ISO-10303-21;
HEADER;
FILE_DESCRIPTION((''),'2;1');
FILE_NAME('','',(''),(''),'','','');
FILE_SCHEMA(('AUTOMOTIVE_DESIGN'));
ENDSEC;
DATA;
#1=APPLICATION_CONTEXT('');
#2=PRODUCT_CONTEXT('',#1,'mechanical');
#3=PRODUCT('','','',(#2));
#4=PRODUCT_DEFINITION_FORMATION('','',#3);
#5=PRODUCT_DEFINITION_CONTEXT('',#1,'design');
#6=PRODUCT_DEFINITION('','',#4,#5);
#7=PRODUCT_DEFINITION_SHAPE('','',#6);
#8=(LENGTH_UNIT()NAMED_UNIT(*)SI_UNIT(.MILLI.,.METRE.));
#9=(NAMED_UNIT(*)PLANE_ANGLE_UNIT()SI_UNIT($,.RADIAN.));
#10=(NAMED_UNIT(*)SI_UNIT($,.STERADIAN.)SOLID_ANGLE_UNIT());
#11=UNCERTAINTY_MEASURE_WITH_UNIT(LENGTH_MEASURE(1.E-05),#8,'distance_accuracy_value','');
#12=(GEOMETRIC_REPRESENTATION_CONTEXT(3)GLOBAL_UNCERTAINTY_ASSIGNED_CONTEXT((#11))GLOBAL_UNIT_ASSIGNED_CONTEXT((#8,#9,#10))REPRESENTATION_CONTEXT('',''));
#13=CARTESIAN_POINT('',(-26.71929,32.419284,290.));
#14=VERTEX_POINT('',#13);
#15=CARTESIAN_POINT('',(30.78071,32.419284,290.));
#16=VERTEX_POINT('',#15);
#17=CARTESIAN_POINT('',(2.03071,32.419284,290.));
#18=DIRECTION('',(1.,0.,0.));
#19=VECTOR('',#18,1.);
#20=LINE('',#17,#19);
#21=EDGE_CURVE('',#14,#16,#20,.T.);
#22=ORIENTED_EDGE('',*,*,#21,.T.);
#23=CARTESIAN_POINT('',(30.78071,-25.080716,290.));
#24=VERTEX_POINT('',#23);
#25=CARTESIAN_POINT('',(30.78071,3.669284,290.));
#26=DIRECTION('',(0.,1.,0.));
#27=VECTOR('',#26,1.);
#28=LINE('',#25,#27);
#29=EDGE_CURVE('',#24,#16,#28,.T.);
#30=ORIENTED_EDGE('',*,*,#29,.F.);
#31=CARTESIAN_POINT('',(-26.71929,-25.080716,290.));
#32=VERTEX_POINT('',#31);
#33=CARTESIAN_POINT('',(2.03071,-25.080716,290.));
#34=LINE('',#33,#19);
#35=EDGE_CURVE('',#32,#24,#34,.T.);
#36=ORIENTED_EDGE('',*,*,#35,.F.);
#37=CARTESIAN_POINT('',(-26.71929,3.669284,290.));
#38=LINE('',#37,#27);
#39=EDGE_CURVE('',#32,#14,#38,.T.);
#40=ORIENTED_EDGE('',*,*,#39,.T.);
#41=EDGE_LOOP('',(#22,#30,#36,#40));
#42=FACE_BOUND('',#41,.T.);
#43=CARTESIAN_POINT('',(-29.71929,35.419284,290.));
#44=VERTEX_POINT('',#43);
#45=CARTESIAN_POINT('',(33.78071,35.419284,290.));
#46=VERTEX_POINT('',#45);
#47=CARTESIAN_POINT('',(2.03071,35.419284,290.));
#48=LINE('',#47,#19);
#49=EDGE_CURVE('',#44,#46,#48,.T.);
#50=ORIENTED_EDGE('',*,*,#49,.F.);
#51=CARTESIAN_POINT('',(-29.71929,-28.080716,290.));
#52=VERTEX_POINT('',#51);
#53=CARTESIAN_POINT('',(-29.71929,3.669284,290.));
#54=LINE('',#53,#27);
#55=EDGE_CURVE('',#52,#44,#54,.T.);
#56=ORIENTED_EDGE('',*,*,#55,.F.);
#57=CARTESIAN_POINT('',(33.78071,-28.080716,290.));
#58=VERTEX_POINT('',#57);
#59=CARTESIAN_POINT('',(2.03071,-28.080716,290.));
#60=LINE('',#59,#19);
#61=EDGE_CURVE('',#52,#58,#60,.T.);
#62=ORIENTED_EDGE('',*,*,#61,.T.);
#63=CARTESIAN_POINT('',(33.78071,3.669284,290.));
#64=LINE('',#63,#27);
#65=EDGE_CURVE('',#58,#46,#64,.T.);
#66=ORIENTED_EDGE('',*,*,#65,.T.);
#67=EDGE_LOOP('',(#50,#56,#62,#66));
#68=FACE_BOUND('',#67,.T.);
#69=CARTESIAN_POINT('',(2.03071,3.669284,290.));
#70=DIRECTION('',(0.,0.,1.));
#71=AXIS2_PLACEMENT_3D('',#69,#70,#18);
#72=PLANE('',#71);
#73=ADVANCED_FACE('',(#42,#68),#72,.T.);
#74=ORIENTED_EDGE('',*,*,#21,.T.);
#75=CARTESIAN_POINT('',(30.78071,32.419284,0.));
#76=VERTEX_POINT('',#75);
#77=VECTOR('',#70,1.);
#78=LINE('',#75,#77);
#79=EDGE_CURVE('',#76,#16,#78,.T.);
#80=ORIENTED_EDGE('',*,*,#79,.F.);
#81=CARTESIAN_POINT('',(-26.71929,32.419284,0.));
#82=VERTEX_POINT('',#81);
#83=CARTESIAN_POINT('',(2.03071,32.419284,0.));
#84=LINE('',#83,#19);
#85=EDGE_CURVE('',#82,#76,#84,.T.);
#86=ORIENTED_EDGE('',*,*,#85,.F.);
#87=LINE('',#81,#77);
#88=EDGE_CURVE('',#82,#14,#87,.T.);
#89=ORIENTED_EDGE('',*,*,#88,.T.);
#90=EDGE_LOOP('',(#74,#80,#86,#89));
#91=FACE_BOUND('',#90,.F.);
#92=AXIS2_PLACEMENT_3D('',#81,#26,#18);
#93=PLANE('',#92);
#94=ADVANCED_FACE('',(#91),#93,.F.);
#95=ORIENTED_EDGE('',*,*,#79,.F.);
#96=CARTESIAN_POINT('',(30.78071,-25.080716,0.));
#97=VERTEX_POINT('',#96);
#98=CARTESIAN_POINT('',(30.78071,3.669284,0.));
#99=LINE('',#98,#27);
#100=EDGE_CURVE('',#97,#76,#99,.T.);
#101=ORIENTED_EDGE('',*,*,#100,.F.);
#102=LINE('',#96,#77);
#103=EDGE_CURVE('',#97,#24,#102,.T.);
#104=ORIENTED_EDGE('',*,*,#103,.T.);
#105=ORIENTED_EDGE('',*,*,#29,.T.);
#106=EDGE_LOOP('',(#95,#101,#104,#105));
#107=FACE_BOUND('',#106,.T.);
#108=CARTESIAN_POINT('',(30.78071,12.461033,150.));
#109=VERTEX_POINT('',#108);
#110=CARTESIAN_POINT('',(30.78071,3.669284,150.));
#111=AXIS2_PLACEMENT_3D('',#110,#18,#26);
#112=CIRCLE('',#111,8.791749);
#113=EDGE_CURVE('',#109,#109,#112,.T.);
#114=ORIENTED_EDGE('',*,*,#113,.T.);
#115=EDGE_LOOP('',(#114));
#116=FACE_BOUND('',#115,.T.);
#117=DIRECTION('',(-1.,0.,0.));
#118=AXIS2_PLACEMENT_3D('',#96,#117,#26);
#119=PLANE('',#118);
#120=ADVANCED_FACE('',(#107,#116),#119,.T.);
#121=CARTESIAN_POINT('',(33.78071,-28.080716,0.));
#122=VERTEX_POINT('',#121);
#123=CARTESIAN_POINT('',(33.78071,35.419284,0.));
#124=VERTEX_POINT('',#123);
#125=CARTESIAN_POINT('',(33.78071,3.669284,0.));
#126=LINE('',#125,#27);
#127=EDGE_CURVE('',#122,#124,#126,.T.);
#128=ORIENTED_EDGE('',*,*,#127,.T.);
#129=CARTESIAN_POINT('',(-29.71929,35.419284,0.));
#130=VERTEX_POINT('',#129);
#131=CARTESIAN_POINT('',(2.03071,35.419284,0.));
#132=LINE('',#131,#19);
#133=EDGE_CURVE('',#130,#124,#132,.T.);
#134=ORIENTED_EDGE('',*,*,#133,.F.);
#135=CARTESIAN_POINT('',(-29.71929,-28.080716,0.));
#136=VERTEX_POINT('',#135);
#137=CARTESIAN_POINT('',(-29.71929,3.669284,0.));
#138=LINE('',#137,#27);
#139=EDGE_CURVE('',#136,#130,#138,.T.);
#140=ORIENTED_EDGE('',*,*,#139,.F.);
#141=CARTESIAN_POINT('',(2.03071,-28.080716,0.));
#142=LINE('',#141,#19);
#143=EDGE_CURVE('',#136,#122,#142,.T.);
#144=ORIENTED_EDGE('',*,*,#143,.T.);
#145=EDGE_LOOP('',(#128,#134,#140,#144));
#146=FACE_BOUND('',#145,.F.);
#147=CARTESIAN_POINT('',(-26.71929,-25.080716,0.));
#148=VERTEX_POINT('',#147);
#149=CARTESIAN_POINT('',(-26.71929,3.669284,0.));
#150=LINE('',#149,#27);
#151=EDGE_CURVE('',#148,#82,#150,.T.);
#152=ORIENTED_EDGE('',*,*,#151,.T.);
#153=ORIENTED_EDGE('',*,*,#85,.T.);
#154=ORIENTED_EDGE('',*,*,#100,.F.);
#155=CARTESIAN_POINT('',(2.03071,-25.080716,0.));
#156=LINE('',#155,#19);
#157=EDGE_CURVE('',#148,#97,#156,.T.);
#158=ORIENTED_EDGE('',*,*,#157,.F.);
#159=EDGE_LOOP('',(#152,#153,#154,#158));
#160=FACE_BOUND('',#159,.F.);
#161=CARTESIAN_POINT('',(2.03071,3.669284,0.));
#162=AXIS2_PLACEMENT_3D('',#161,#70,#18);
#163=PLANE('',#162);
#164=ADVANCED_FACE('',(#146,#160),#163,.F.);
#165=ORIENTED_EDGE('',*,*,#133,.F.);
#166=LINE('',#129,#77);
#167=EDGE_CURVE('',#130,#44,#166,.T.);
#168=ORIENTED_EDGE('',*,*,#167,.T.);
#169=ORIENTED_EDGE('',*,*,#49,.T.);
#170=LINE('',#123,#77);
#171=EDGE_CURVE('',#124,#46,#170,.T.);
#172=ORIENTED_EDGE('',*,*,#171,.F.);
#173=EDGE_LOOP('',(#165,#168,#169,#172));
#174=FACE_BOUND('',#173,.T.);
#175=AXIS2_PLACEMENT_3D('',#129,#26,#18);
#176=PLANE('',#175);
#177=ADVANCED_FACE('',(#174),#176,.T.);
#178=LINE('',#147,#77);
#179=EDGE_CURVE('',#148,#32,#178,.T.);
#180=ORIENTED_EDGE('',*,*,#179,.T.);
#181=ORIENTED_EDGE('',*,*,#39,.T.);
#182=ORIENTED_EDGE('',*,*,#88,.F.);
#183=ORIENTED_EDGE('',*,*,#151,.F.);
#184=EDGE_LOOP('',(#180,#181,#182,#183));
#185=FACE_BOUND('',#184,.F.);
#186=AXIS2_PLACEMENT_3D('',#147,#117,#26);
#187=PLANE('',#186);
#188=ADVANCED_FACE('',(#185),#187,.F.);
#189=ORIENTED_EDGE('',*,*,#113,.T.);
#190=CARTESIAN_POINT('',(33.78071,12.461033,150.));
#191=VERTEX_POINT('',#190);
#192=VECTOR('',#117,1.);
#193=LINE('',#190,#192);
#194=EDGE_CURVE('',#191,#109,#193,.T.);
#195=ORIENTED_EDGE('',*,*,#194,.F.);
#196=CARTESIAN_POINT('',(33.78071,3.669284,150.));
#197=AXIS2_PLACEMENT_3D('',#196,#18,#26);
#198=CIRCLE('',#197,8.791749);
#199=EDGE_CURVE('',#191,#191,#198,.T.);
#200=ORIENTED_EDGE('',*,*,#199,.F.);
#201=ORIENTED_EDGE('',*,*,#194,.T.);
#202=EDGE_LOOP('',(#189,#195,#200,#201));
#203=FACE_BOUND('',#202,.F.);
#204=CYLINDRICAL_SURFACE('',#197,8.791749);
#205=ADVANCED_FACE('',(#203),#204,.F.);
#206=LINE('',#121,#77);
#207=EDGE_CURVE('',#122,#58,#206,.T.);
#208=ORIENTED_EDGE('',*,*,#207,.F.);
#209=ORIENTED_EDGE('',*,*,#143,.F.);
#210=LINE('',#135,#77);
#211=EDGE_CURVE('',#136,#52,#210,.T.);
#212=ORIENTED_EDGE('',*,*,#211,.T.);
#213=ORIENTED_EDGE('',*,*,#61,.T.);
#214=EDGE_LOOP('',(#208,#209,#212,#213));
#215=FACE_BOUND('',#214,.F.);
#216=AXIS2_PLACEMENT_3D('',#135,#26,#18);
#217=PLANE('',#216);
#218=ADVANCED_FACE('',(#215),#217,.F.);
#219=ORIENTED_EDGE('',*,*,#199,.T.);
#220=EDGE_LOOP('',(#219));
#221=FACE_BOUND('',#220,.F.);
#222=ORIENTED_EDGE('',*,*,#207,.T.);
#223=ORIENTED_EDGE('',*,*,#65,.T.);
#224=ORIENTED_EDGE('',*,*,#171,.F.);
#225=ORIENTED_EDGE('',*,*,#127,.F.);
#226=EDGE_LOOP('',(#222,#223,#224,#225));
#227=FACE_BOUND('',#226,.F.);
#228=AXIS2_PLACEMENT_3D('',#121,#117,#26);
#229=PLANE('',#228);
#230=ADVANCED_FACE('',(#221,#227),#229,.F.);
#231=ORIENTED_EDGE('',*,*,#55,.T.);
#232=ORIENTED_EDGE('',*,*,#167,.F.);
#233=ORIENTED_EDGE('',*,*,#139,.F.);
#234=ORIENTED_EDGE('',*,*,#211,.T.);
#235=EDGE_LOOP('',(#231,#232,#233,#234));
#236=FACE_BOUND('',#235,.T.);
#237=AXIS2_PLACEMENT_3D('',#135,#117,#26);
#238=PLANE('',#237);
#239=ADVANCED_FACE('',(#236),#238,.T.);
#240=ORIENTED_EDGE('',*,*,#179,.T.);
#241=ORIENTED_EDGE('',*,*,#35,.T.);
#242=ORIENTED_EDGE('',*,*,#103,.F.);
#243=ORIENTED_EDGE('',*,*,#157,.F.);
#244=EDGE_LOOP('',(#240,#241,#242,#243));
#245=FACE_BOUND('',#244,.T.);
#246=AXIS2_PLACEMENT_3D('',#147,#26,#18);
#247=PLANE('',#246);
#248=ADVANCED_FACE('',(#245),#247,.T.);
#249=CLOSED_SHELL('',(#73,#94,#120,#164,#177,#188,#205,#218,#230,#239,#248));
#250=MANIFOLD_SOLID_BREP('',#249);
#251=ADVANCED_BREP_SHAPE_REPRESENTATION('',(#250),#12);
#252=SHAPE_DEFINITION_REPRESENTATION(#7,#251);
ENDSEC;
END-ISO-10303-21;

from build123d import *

# Parameters (mm, degrees)
F0_W     = 63.5
F0_H     = 63.5
F0_W_2   = 57.5
F0_H_2   = 57.5
F1_DEPTH = 290
F2_R     = 8.791749
F3_DEPTH = 25


with BuildPart() as f1:
    # F0 (on Top) → F1 (new body)
    with BuildSketch(Plane.XY):
        with Locations((2.03071, 3.669284)):
            Rectangle(F0_W, F0_H)
        with Locations((2.03071, 3.669284)):
            Rectangle(F0_W_2, F0_H_2, mode=Mode.SUBTRACT)
    extrude(amount=F1_DEPTH)

    # F2 (on face) → F3 (cut)
    with BuildSketch(Plane.YZ.offset(33.78071)):
        with Locations((3.669284, 150)):
            Circle(F2_R)
    extrude(amount=-F3_DEPTH, mode=Mode.SUBTRACT)


solid = f1.part
